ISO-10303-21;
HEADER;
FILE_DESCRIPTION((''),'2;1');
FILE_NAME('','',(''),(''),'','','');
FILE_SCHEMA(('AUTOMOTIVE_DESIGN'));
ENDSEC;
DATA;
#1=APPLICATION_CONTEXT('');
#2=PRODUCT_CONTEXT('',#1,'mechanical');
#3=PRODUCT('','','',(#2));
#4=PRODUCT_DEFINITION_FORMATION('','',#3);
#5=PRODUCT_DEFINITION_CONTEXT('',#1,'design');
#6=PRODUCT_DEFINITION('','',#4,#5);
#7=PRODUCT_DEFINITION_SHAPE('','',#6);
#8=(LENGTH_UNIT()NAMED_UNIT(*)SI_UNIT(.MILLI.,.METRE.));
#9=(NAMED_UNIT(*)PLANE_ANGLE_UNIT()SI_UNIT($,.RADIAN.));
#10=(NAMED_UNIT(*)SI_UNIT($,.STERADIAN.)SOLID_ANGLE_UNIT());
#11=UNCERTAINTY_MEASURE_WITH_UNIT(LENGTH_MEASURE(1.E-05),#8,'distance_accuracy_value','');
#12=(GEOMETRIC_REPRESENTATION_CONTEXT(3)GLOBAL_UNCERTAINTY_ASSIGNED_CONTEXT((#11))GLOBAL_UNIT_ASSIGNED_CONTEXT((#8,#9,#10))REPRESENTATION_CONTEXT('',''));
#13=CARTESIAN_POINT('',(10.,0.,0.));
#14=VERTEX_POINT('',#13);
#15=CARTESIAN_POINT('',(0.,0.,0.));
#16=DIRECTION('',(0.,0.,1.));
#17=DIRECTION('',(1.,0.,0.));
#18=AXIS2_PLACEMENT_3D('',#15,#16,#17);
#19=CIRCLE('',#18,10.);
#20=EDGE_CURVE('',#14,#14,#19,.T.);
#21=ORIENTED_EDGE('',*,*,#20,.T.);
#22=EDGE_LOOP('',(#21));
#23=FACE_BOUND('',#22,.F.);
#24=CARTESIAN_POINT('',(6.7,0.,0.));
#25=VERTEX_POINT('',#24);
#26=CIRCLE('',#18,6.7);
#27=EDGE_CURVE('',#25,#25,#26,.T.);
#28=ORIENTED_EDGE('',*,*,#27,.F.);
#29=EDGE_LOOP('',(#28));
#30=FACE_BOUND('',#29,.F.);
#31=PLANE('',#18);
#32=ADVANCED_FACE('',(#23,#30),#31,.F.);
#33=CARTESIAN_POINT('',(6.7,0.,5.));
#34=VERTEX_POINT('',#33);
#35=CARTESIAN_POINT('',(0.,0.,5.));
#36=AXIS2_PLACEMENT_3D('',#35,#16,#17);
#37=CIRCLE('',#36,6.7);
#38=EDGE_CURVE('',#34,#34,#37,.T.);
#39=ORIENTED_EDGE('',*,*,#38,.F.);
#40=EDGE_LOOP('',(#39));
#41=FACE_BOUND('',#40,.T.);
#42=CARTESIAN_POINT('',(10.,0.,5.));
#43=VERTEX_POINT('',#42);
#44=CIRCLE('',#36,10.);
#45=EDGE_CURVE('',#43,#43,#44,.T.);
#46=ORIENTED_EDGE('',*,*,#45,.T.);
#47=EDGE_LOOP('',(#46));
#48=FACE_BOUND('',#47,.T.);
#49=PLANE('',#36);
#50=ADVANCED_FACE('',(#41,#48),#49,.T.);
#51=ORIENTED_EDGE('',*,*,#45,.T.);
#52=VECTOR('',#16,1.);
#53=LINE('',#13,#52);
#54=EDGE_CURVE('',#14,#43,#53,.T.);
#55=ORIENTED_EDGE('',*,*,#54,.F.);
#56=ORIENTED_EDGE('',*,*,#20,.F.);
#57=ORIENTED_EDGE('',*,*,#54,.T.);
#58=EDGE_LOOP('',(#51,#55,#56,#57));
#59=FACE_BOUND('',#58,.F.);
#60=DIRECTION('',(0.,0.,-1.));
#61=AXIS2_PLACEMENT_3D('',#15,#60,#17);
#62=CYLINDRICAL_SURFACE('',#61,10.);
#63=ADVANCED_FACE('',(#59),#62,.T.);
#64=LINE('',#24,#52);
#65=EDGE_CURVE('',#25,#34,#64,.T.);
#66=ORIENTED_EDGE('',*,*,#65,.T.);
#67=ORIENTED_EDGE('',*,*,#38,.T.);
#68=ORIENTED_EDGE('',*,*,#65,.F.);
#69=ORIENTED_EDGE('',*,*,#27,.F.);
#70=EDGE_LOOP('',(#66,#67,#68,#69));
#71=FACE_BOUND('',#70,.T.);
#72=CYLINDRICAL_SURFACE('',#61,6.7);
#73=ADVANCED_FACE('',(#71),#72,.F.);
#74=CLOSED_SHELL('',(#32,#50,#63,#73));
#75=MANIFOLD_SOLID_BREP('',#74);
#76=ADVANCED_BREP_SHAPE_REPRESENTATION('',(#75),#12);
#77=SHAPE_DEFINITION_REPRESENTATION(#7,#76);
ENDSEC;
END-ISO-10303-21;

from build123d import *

# Parameters (mm, degrees)
SKETCH_R   = 10
SKETCH_R_2 = 6.7
PAD_DEPTH  = 5


with BuildPart() as part:
    # Sketch → Pad (new body)
    with BuildSketch(Plane.XY):
        Circle(SKETCH_R)
        Circle(SKETCH_R_2, mode=Mode.SUBTRACT)
    extrude(amount=PAD_DEPTH)


solid = part.part
